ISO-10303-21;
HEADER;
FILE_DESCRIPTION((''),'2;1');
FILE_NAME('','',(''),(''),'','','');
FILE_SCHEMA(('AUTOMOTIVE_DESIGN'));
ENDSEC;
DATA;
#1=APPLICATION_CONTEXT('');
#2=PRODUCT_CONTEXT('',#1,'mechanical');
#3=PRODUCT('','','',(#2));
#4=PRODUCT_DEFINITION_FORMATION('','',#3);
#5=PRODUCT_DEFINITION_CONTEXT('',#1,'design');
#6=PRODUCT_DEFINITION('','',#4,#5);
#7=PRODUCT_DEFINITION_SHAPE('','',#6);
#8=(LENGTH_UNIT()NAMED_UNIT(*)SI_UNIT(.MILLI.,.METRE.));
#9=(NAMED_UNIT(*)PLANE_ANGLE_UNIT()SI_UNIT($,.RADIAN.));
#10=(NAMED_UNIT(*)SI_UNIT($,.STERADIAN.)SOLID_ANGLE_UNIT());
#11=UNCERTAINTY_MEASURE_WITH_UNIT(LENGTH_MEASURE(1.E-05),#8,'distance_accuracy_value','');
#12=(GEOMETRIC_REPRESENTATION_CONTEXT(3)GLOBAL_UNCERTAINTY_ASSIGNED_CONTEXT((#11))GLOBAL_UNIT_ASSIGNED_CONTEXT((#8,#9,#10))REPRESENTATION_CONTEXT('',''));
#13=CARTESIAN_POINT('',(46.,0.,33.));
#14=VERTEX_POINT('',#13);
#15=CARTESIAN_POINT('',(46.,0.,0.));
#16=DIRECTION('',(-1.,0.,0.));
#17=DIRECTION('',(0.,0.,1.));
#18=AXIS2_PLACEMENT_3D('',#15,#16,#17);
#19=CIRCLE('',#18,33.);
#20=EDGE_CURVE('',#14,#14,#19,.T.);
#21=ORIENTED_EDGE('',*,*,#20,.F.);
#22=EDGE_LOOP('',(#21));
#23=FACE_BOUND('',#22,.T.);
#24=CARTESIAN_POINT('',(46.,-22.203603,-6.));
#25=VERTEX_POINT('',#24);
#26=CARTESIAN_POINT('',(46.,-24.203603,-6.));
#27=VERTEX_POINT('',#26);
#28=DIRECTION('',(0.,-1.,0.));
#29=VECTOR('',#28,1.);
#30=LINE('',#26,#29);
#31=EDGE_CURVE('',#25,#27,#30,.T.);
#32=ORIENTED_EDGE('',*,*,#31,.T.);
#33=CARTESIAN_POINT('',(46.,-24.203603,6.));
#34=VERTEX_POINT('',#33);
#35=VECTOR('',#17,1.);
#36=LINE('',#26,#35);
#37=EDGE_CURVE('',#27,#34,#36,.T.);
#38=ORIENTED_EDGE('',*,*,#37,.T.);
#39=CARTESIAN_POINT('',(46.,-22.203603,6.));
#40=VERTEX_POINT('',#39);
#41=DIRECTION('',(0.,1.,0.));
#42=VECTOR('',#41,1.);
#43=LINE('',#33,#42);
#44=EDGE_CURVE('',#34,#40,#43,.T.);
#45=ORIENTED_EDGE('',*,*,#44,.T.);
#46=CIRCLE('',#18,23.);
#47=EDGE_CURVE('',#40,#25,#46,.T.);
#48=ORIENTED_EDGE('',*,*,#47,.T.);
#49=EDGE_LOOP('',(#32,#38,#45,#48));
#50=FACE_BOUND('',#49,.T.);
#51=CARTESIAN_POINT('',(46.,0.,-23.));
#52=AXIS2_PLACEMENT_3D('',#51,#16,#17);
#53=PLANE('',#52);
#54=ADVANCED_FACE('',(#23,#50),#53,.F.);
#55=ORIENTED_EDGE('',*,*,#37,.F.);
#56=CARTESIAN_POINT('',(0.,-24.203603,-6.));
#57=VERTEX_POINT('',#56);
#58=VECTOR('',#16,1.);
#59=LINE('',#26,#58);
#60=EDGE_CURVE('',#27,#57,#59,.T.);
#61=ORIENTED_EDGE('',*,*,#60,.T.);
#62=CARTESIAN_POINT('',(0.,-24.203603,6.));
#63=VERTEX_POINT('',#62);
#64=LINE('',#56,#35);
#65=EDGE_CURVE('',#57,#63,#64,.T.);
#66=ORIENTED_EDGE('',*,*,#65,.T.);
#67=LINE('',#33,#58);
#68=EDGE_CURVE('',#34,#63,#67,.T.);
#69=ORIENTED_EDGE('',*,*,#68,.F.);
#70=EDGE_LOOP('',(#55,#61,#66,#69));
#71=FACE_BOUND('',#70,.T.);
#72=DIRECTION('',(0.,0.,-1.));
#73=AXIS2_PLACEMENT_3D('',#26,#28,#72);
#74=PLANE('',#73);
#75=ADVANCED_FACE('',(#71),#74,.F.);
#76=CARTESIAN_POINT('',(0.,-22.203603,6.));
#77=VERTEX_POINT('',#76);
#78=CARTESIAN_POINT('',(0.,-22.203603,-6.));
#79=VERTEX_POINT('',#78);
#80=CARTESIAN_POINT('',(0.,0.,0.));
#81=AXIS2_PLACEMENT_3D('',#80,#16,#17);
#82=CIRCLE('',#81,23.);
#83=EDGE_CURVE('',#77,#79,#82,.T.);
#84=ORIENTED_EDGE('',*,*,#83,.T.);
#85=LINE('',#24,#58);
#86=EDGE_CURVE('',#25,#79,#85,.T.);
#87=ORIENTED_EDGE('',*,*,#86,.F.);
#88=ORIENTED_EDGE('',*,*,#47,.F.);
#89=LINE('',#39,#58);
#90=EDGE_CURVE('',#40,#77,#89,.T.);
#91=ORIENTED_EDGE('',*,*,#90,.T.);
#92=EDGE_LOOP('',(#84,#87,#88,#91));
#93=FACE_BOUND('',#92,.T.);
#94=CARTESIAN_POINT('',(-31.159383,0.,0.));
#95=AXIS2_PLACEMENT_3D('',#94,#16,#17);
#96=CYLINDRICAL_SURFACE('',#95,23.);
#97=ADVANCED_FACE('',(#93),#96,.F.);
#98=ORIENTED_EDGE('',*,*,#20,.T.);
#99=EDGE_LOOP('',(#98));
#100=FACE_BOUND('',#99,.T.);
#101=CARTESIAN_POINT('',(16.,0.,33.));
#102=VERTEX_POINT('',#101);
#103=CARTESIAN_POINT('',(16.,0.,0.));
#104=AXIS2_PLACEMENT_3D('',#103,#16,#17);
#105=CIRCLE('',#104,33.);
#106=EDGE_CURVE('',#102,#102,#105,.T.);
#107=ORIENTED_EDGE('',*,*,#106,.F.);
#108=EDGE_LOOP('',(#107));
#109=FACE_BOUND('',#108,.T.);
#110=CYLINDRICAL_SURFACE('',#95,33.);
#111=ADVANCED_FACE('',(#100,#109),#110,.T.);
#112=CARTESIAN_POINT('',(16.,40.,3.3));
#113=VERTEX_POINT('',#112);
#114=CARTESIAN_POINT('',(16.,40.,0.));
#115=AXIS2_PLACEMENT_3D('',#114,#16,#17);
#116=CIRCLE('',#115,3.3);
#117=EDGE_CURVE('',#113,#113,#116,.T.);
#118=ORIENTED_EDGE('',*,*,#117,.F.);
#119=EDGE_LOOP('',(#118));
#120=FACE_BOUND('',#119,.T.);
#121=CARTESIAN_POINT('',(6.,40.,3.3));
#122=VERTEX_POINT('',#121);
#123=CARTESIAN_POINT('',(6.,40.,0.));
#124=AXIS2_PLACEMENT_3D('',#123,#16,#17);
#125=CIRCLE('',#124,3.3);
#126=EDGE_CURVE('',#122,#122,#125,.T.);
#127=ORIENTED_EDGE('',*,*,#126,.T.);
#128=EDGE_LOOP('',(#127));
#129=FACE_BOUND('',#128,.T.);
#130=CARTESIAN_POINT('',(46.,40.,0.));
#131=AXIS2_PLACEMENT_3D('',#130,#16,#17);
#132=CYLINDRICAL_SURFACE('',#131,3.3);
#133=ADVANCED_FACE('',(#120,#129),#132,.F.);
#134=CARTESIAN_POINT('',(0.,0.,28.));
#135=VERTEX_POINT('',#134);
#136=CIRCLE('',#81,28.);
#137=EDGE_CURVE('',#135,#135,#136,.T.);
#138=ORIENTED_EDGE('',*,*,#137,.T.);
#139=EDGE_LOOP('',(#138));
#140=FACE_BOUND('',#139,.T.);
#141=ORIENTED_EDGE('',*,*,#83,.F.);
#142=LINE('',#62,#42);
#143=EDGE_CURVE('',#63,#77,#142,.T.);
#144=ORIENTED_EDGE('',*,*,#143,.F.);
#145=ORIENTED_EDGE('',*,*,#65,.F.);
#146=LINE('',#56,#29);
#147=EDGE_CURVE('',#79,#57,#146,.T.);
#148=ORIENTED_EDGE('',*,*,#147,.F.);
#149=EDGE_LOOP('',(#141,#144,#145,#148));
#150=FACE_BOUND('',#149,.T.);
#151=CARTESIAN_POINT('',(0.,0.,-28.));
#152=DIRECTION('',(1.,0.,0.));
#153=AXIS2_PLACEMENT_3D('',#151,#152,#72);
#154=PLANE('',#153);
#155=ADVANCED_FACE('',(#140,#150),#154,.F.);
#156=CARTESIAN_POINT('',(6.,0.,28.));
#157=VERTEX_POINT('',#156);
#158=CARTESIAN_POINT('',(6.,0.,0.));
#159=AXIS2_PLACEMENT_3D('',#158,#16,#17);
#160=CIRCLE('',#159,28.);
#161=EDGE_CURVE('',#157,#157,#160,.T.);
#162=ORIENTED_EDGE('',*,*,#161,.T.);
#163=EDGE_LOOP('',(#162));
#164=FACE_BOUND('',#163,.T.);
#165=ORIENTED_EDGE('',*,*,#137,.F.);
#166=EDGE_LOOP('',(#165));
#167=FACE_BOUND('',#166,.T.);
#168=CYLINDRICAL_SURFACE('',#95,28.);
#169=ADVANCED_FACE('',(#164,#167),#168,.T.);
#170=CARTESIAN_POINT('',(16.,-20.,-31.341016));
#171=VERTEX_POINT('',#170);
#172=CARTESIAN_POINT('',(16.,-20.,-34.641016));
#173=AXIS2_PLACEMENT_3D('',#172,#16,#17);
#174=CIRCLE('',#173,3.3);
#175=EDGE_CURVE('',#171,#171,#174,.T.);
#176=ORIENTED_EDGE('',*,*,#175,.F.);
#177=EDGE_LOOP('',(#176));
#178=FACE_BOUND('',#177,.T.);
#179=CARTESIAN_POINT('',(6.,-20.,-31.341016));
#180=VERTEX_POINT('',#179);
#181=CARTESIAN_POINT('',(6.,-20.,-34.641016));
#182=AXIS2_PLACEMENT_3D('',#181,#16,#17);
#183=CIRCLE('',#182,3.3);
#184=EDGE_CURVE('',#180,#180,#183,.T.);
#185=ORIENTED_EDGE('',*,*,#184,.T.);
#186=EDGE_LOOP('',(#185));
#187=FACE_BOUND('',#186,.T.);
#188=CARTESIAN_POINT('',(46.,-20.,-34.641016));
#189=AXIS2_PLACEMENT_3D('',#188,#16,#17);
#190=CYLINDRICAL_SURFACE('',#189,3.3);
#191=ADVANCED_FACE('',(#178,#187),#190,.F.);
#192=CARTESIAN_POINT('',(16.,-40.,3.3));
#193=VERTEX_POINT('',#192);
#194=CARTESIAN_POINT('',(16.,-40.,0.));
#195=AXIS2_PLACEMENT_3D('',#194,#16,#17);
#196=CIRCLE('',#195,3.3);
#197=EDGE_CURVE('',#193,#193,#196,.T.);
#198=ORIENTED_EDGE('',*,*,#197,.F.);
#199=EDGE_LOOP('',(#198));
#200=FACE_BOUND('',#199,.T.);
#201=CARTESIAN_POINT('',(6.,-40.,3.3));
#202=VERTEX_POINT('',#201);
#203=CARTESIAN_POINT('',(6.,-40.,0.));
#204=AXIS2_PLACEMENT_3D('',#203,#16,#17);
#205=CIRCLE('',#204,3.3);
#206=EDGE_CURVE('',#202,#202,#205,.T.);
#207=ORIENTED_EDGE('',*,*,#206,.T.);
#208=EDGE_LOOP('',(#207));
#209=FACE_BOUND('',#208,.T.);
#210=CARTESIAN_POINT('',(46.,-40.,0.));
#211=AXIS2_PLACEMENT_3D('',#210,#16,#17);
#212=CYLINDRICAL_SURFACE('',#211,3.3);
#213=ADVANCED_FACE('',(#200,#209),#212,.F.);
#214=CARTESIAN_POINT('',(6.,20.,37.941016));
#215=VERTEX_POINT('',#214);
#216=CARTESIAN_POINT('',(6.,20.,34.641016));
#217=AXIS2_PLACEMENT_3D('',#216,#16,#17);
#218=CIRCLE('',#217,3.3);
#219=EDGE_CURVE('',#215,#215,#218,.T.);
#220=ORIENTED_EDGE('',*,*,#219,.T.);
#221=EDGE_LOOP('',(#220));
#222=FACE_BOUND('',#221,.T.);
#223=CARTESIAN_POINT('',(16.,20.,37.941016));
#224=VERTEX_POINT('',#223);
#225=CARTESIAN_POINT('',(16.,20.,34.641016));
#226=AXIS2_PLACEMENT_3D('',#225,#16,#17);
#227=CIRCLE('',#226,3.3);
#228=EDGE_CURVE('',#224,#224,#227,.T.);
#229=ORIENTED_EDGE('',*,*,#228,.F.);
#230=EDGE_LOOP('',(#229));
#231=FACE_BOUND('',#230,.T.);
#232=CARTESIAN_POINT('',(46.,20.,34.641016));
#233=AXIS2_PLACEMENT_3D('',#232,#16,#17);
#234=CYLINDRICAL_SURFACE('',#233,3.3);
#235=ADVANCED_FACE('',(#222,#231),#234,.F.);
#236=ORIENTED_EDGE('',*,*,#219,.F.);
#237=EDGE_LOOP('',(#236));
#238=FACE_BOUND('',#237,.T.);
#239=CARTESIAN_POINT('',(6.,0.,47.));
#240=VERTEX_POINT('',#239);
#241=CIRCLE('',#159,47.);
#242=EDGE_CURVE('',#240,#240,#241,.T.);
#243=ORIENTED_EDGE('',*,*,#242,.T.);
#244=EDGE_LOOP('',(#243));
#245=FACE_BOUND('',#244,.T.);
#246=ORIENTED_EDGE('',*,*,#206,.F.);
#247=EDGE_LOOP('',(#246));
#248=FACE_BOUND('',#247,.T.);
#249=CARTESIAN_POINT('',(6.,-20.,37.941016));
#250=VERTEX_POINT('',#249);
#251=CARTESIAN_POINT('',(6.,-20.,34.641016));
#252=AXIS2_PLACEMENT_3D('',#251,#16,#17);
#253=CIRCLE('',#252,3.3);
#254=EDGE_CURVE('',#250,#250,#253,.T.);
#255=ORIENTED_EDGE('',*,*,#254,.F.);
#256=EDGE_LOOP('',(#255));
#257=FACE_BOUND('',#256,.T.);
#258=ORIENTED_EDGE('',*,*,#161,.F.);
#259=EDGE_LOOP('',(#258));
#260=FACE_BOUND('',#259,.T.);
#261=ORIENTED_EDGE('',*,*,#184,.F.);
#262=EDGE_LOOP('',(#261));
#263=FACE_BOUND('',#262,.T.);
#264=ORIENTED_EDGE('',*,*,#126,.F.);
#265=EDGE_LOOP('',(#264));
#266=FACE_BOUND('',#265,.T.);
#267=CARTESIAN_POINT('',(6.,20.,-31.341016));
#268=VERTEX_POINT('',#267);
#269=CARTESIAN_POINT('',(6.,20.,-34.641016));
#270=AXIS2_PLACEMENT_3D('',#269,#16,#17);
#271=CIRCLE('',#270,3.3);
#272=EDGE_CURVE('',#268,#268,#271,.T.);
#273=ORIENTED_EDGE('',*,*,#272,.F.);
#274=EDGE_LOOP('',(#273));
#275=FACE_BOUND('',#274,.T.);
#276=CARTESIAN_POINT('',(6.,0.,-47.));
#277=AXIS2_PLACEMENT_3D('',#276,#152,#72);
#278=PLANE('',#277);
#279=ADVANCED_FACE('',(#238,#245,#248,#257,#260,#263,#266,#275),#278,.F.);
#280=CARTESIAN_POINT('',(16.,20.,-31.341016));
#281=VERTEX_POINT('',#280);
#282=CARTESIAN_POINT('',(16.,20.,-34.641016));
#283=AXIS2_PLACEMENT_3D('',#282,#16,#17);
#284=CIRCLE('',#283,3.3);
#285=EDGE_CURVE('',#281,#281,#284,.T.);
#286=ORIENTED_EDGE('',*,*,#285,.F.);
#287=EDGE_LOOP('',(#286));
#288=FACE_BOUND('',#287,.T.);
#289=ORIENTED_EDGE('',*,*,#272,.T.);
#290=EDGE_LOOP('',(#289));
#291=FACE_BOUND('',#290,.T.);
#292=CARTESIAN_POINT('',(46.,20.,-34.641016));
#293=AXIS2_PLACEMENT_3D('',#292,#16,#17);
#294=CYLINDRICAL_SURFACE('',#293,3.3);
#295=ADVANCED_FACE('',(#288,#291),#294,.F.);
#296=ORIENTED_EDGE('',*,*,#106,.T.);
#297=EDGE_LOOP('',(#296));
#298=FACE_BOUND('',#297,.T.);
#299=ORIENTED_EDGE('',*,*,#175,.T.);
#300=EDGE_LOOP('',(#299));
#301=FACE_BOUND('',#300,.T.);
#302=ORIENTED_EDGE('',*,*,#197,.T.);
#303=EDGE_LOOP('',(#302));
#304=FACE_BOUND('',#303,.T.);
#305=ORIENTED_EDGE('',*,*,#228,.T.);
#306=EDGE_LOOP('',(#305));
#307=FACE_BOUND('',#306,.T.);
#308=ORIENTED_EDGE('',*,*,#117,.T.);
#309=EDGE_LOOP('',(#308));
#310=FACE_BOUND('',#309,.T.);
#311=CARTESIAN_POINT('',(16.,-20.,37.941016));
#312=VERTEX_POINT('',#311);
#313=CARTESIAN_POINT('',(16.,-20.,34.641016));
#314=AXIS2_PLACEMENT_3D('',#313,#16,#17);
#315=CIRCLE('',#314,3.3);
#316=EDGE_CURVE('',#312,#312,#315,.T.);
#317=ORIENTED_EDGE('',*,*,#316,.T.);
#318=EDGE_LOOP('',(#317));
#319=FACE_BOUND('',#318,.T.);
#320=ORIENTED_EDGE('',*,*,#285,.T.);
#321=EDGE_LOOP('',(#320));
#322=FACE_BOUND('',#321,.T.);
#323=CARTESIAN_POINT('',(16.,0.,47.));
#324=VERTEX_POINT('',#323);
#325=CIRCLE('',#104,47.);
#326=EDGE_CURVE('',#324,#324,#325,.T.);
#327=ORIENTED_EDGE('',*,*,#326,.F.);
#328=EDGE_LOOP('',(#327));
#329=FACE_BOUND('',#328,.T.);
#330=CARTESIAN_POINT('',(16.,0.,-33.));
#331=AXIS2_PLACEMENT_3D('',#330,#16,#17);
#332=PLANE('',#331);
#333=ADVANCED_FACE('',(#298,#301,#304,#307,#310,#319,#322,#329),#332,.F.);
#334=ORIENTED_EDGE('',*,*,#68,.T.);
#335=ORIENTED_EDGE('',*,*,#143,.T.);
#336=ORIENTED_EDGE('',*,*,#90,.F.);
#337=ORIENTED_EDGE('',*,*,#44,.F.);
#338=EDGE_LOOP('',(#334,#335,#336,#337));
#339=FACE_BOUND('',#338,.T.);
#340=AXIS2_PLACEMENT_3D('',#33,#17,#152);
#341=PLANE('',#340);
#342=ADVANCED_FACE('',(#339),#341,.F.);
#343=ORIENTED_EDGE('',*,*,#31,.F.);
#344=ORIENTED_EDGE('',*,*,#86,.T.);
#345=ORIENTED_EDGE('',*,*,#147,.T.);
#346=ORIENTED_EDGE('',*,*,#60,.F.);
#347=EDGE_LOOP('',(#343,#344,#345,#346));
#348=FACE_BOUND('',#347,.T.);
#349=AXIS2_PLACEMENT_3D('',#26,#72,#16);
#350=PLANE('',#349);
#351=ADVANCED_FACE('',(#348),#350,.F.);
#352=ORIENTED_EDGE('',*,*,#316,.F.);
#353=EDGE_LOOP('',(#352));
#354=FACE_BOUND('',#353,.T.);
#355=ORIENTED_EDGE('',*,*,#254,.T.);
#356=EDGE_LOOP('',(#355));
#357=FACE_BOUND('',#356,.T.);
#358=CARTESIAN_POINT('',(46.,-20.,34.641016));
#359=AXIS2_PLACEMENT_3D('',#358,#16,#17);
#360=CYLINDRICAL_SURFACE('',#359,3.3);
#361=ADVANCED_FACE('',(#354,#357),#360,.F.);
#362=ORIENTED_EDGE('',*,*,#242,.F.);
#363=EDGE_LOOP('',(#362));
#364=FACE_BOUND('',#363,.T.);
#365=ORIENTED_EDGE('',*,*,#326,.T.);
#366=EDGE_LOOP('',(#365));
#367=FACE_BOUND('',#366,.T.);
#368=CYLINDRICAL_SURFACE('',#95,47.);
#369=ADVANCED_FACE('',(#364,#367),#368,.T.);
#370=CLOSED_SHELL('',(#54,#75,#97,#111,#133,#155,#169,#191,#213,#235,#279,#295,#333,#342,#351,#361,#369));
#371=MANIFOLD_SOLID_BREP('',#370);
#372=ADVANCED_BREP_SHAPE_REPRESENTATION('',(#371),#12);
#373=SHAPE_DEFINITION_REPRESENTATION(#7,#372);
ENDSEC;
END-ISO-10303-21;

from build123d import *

# Parameters (mm, degrees)
SKETCH2_R          = 3.3
CUT_EXTRUDE1_DEPTH = 41
SKETCH3_W          = 12
SKETCH3_H          = 2
CUT_EXTRUDE2_DEPTH = 47


with BuildPart() as part:
    # Sketch1 → Revolve1 (revolve)
    with BuildSketch(Plane(origin=(0, 0, 0), x_dir=(1, 0, 0), z_dir=(0, 1, 0))):
        Polygon((0, 23), (46, 23), (46, 33), (16, 33), (16, 47), (6, 47), (6, 28), (0, 28), align=None)
    revolve(axis=Axis((-31.159383033, 0, 0), (1, 0, 0)))

    # Sketch2 → Cut-Extrude1 (cut, through all)
    with BuildSketch(Plane.ZY.offset(-6)):
        with Locations((0, 40)):
            Circle(SKETCH2_R)
        with Locations((34.641016151, 20)):
            Circle(SKETCH2_R)
        with Locations((34.641016151, -20)):
            Circle(SKETCH2_R)
        with Locations((0, -40)):
            Circle(SKETCH2_R)
        with Locations((-34.641016151, -20)):
            Circle(SKETCH2_R)
        with Locations((-34.641016151, 20)):
            Circle(SKETCH2_R)
    extrude(amount=-CUT_EXTRUDE1_DEPTH, mode=Mode.SUBTRACT)

    # Sketch3 → Cut-Extrude2 (cut, through all)
    with BuildSketch(Plane.ZY):
        with Locations((0, -23.203603311)):
            Rectangle(SKETCH3_W, SKETCH3_H)
    extrude(amount=-CUT_EXTRUDE2_DEPTH, mode=Mode.SUBTRACT)


solid = part.part
